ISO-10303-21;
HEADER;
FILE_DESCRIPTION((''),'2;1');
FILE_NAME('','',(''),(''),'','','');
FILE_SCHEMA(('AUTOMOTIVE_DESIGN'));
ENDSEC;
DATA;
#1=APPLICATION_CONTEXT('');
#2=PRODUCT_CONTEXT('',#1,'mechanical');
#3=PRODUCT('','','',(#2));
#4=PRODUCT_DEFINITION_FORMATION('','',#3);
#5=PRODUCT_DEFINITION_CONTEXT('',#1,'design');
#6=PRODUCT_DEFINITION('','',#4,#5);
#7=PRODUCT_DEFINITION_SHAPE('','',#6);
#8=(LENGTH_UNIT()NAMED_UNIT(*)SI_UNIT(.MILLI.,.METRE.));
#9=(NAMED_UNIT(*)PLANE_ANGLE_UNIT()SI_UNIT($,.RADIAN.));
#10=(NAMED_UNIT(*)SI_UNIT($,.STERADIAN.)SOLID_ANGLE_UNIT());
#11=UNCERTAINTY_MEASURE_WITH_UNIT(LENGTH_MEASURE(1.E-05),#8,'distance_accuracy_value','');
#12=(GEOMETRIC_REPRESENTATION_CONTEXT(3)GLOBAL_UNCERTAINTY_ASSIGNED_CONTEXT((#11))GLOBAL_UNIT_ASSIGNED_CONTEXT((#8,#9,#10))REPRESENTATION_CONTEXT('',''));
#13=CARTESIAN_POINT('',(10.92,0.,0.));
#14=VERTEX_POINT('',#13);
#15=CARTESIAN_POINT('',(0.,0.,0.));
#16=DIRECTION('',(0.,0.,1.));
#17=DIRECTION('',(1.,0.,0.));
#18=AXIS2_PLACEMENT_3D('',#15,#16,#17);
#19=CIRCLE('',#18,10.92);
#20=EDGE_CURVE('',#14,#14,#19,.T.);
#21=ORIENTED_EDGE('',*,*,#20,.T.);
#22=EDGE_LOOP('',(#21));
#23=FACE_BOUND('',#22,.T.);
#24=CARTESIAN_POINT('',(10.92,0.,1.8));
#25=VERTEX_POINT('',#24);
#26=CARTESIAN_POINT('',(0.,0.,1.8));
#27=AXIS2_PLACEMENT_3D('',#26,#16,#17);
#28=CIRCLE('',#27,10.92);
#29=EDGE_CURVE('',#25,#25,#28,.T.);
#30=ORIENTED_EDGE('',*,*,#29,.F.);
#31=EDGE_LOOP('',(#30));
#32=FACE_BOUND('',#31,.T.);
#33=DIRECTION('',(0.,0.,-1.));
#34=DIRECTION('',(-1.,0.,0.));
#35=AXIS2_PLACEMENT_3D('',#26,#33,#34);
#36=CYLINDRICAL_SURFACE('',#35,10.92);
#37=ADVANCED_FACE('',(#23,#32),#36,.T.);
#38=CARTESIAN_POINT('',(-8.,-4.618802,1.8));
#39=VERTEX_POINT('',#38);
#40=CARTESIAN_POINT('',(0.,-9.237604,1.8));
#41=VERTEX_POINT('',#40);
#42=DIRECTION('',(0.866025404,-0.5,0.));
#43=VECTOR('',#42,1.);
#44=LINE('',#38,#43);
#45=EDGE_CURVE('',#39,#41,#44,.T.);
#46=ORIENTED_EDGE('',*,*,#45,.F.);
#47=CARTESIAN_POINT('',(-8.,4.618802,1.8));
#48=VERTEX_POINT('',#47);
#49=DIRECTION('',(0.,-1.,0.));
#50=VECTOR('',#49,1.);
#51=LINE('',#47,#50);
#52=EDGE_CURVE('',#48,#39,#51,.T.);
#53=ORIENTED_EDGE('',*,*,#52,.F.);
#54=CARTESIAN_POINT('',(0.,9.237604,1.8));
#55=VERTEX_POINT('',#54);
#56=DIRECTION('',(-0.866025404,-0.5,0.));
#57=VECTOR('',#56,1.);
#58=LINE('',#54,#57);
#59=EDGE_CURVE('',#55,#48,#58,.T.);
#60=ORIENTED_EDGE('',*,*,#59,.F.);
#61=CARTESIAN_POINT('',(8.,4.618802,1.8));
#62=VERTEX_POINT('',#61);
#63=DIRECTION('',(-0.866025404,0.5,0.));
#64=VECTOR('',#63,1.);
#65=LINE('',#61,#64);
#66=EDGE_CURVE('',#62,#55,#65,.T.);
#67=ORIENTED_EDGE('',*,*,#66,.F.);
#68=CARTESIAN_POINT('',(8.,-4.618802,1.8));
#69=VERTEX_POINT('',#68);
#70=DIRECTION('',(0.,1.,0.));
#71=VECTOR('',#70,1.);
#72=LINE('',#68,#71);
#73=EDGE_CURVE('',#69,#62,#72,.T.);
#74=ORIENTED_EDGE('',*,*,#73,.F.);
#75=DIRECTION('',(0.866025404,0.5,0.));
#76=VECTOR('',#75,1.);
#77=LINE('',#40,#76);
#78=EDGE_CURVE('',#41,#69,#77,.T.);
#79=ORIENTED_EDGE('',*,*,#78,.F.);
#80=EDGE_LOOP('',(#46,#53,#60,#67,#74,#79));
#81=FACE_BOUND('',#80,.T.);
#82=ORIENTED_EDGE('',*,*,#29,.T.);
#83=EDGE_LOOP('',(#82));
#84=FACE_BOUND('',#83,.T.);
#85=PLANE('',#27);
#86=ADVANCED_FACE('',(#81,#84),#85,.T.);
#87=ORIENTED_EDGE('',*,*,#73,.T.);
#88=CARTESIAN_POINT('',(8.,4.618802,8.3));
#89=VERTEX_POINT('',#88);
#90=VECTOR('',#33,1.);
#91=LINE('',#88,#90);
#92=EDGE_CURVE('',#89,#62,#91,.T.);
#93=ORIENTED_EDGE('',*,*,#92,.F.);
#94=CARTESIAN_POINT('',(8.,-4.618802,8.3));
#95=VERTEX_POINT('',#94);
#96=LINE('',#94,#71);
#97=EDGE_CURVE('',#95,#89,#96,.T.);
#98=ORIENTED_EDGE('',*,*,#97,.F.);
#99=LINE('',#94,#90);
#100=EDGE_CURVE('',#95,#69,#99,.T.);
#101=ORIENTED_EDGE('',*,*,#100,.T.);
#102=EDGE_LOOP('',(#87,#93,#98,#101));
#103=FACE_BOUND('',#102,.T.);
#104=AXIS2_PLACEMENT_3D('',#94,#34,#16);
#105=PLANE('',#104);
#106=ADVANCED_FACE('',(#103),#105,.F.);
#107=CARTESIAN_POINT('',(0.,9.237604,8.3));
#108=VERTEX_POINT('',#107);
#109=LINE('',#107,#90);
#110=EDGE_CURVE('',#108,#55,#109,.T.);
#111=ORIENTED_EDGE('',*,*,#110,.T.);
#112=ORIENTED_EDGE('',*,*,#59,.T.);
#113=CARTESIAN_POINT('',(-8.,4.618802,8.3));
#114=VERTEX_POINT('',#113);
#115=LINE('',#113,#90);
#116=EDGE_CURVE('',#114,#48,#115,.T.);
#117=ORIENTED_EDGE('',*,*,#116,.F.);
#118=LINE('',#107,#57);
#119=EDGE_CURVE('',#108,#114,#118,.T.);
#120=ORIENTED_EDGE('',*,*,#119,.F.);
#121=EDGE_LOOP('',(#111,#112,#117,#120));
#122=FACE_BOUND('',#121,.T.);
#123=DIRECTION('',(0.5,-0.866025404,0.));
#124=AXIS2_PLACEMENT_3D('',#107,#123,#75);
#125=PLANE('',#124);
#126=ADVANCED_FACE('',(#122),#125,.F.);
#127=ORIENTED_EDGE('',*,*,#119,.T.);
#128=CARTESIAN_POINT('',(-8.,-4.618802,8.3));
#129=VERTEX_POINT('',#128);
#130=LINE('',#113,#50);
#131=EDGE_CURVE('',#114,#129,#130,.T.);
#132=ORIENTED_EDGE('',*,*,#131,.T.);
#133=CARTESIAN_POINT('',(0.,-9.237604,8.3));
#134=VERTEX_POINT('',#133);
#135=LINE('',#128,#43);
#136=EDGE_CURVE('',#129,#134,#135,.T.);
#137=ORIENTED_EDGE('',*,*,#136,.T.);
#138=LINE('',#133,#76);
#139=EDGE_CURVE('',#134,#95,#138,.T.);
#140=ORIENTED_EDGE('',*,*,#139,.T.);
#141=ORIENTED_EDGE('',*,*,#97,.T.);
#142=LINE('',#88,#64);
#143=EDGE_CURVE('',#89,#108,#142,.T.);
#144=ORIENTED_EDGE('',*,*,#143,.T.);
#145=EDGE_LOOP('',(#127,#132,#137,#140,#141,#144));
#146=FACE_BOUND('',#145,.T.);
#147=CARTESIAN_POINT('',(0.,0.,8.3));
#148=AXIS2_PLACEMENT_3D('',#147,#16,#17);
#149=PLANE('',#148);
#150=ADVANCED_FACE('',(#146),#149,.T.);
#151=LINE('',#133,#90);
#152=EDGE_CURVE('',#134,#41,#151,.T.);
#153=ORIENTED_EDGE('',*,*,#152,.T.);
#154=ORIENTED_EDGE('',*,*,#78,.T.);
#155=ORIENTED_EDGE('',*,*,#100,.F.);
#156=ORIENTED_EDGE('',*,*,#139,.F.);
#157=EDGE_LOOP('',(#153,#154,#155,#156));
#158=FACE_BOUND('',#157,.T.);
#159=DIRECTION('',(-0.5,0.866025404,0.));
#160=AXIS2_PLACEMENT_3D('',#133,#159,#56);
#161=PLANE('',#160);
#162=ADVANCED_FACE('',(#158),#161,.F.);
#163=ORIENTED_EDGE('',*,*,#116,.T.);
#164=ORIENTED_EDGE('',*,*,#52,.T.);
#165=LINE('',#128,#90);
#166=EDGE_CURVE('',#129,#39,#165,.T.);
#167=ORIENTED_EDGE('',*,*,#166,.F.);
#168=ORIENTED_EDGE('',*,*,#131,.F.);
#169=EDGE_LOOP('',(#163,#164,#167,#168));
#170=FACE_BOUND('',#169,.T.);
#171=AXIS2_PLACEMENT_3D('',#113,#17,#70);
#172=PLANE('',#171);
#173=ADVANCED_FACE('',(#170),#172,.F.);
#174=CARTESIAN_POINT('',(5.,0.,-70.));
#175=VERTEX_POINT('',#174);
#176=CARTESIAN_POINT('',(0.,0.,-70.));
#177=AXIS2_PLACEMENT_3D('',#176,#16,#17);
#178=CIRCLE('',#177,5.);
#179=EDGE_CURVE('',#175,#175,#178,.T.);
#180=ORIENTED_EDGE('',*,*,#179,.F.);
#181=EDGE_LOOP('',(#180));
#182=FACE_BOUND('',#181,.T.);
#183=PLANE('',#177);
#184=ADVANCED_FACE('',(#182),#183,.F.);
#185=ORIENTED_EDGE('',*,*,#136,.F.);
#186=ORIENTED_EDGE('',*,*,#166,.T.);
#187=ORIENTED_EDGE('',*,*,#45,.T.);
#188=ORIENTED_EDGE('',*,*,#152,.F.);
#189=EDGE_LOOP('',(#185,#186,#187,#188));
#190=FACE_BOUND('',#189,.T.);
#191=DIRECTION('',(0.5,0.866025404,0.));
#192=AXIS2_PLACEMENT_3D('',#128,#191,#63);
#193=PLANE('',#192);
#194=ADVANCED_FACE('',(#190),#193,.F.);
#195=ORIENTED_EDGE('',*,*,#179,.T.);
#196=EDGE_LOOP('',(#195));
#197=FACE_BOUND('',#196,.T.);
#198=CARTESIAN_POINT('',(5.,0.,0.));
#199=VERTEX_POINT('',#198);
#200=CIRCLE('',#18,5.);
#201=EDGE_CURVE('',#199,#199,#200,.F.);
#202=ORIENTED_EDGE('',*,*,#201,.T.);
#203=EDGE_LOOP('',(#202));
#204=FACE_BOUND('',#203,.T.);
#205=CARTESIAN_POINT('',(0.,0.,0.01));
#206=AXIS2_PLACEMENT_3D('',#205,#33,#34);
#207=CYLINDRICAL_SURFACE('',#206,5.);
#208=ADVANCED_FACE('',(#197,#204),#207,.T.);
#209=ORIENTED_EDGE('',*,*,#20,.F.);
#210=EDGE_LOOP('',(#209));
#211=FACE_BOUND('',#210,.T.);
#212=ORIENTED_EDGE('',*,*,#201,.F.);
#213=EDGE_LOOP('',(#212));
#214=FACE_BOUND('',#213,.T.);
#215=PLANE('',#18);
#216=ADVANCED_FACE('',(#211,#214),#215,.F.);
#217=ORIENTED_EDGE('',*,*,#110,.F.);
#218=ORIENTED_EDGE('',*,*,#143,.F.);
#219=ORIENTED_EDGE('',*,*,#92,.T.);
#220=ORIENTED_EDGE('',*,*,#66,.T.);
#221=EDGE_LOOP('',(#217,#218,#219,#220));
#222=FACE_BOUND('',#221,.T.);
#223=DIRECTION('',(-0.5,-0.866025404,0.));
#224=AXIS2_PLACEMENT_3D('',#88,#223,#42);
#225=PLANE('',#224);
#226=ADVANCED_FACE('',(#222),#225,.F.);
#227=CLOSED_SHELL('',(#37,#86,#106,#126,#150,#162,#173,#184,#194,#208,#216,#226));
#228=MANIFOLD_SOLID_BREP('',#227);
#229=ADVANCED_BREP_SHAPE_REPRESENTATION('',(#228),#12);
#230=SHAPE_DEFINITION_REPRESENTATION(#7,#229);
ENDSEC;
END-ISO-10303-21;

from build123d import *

# Parameters (mm, degrees)
EXTRUDE_SKETCH_1_R = 10.92
EXTRUDE_1_DEPTH    = 1.8
EXTRUDE_START      = 1.8
EXTRUDE_2_DEPTH    = 6.5
EXTRUDE_START_2    = -70
EXTRUDE_SKETCH_3_R = 5
EXTRUDE_3_DEPTH    = 70.01


with BuildPart() as part:
    # Extrude sketch 1 → Extrude 1 (new body)
    with BuildSketch(Plane.XY):
        Circle(EXTRUDE_SKETCH_1_R)
    extrude(amount=EXTRUDE_1_DEPTH)


with BuildPart() as body_2:
    # Extrude sketch 2 → Extrude 2 (new body)
    with BuildSketch(Plane.XY.offset(EXTRUDE_START)):
        Polygon((8, 4.618802154), (0, 9.237604307), (-8, 4.618802154), (-8, -4.618802154), (0, -9.237604307), (8, -4.618802154), align=None)
    extrude(amount=EXTRUDE_2_DEPTH)


with BuildPart() as body_3:
    # Extrude sketch 3 → Extrude 3 (new body)
    with BuildSketch(Plane.XY.offset(EXTRUDE_START_2)):
        Circle(EXTRUDE_SKETCH_3_R)
    extrude(amount=EXTRUDE_3_DEPTH)


with BuildPart() as part_1:
    add(part.part)

    # Combine (weld / assembly of features): union body 3, body 2
    add(body_3.part)
    add(body_2.part)


solid = part_1.part
